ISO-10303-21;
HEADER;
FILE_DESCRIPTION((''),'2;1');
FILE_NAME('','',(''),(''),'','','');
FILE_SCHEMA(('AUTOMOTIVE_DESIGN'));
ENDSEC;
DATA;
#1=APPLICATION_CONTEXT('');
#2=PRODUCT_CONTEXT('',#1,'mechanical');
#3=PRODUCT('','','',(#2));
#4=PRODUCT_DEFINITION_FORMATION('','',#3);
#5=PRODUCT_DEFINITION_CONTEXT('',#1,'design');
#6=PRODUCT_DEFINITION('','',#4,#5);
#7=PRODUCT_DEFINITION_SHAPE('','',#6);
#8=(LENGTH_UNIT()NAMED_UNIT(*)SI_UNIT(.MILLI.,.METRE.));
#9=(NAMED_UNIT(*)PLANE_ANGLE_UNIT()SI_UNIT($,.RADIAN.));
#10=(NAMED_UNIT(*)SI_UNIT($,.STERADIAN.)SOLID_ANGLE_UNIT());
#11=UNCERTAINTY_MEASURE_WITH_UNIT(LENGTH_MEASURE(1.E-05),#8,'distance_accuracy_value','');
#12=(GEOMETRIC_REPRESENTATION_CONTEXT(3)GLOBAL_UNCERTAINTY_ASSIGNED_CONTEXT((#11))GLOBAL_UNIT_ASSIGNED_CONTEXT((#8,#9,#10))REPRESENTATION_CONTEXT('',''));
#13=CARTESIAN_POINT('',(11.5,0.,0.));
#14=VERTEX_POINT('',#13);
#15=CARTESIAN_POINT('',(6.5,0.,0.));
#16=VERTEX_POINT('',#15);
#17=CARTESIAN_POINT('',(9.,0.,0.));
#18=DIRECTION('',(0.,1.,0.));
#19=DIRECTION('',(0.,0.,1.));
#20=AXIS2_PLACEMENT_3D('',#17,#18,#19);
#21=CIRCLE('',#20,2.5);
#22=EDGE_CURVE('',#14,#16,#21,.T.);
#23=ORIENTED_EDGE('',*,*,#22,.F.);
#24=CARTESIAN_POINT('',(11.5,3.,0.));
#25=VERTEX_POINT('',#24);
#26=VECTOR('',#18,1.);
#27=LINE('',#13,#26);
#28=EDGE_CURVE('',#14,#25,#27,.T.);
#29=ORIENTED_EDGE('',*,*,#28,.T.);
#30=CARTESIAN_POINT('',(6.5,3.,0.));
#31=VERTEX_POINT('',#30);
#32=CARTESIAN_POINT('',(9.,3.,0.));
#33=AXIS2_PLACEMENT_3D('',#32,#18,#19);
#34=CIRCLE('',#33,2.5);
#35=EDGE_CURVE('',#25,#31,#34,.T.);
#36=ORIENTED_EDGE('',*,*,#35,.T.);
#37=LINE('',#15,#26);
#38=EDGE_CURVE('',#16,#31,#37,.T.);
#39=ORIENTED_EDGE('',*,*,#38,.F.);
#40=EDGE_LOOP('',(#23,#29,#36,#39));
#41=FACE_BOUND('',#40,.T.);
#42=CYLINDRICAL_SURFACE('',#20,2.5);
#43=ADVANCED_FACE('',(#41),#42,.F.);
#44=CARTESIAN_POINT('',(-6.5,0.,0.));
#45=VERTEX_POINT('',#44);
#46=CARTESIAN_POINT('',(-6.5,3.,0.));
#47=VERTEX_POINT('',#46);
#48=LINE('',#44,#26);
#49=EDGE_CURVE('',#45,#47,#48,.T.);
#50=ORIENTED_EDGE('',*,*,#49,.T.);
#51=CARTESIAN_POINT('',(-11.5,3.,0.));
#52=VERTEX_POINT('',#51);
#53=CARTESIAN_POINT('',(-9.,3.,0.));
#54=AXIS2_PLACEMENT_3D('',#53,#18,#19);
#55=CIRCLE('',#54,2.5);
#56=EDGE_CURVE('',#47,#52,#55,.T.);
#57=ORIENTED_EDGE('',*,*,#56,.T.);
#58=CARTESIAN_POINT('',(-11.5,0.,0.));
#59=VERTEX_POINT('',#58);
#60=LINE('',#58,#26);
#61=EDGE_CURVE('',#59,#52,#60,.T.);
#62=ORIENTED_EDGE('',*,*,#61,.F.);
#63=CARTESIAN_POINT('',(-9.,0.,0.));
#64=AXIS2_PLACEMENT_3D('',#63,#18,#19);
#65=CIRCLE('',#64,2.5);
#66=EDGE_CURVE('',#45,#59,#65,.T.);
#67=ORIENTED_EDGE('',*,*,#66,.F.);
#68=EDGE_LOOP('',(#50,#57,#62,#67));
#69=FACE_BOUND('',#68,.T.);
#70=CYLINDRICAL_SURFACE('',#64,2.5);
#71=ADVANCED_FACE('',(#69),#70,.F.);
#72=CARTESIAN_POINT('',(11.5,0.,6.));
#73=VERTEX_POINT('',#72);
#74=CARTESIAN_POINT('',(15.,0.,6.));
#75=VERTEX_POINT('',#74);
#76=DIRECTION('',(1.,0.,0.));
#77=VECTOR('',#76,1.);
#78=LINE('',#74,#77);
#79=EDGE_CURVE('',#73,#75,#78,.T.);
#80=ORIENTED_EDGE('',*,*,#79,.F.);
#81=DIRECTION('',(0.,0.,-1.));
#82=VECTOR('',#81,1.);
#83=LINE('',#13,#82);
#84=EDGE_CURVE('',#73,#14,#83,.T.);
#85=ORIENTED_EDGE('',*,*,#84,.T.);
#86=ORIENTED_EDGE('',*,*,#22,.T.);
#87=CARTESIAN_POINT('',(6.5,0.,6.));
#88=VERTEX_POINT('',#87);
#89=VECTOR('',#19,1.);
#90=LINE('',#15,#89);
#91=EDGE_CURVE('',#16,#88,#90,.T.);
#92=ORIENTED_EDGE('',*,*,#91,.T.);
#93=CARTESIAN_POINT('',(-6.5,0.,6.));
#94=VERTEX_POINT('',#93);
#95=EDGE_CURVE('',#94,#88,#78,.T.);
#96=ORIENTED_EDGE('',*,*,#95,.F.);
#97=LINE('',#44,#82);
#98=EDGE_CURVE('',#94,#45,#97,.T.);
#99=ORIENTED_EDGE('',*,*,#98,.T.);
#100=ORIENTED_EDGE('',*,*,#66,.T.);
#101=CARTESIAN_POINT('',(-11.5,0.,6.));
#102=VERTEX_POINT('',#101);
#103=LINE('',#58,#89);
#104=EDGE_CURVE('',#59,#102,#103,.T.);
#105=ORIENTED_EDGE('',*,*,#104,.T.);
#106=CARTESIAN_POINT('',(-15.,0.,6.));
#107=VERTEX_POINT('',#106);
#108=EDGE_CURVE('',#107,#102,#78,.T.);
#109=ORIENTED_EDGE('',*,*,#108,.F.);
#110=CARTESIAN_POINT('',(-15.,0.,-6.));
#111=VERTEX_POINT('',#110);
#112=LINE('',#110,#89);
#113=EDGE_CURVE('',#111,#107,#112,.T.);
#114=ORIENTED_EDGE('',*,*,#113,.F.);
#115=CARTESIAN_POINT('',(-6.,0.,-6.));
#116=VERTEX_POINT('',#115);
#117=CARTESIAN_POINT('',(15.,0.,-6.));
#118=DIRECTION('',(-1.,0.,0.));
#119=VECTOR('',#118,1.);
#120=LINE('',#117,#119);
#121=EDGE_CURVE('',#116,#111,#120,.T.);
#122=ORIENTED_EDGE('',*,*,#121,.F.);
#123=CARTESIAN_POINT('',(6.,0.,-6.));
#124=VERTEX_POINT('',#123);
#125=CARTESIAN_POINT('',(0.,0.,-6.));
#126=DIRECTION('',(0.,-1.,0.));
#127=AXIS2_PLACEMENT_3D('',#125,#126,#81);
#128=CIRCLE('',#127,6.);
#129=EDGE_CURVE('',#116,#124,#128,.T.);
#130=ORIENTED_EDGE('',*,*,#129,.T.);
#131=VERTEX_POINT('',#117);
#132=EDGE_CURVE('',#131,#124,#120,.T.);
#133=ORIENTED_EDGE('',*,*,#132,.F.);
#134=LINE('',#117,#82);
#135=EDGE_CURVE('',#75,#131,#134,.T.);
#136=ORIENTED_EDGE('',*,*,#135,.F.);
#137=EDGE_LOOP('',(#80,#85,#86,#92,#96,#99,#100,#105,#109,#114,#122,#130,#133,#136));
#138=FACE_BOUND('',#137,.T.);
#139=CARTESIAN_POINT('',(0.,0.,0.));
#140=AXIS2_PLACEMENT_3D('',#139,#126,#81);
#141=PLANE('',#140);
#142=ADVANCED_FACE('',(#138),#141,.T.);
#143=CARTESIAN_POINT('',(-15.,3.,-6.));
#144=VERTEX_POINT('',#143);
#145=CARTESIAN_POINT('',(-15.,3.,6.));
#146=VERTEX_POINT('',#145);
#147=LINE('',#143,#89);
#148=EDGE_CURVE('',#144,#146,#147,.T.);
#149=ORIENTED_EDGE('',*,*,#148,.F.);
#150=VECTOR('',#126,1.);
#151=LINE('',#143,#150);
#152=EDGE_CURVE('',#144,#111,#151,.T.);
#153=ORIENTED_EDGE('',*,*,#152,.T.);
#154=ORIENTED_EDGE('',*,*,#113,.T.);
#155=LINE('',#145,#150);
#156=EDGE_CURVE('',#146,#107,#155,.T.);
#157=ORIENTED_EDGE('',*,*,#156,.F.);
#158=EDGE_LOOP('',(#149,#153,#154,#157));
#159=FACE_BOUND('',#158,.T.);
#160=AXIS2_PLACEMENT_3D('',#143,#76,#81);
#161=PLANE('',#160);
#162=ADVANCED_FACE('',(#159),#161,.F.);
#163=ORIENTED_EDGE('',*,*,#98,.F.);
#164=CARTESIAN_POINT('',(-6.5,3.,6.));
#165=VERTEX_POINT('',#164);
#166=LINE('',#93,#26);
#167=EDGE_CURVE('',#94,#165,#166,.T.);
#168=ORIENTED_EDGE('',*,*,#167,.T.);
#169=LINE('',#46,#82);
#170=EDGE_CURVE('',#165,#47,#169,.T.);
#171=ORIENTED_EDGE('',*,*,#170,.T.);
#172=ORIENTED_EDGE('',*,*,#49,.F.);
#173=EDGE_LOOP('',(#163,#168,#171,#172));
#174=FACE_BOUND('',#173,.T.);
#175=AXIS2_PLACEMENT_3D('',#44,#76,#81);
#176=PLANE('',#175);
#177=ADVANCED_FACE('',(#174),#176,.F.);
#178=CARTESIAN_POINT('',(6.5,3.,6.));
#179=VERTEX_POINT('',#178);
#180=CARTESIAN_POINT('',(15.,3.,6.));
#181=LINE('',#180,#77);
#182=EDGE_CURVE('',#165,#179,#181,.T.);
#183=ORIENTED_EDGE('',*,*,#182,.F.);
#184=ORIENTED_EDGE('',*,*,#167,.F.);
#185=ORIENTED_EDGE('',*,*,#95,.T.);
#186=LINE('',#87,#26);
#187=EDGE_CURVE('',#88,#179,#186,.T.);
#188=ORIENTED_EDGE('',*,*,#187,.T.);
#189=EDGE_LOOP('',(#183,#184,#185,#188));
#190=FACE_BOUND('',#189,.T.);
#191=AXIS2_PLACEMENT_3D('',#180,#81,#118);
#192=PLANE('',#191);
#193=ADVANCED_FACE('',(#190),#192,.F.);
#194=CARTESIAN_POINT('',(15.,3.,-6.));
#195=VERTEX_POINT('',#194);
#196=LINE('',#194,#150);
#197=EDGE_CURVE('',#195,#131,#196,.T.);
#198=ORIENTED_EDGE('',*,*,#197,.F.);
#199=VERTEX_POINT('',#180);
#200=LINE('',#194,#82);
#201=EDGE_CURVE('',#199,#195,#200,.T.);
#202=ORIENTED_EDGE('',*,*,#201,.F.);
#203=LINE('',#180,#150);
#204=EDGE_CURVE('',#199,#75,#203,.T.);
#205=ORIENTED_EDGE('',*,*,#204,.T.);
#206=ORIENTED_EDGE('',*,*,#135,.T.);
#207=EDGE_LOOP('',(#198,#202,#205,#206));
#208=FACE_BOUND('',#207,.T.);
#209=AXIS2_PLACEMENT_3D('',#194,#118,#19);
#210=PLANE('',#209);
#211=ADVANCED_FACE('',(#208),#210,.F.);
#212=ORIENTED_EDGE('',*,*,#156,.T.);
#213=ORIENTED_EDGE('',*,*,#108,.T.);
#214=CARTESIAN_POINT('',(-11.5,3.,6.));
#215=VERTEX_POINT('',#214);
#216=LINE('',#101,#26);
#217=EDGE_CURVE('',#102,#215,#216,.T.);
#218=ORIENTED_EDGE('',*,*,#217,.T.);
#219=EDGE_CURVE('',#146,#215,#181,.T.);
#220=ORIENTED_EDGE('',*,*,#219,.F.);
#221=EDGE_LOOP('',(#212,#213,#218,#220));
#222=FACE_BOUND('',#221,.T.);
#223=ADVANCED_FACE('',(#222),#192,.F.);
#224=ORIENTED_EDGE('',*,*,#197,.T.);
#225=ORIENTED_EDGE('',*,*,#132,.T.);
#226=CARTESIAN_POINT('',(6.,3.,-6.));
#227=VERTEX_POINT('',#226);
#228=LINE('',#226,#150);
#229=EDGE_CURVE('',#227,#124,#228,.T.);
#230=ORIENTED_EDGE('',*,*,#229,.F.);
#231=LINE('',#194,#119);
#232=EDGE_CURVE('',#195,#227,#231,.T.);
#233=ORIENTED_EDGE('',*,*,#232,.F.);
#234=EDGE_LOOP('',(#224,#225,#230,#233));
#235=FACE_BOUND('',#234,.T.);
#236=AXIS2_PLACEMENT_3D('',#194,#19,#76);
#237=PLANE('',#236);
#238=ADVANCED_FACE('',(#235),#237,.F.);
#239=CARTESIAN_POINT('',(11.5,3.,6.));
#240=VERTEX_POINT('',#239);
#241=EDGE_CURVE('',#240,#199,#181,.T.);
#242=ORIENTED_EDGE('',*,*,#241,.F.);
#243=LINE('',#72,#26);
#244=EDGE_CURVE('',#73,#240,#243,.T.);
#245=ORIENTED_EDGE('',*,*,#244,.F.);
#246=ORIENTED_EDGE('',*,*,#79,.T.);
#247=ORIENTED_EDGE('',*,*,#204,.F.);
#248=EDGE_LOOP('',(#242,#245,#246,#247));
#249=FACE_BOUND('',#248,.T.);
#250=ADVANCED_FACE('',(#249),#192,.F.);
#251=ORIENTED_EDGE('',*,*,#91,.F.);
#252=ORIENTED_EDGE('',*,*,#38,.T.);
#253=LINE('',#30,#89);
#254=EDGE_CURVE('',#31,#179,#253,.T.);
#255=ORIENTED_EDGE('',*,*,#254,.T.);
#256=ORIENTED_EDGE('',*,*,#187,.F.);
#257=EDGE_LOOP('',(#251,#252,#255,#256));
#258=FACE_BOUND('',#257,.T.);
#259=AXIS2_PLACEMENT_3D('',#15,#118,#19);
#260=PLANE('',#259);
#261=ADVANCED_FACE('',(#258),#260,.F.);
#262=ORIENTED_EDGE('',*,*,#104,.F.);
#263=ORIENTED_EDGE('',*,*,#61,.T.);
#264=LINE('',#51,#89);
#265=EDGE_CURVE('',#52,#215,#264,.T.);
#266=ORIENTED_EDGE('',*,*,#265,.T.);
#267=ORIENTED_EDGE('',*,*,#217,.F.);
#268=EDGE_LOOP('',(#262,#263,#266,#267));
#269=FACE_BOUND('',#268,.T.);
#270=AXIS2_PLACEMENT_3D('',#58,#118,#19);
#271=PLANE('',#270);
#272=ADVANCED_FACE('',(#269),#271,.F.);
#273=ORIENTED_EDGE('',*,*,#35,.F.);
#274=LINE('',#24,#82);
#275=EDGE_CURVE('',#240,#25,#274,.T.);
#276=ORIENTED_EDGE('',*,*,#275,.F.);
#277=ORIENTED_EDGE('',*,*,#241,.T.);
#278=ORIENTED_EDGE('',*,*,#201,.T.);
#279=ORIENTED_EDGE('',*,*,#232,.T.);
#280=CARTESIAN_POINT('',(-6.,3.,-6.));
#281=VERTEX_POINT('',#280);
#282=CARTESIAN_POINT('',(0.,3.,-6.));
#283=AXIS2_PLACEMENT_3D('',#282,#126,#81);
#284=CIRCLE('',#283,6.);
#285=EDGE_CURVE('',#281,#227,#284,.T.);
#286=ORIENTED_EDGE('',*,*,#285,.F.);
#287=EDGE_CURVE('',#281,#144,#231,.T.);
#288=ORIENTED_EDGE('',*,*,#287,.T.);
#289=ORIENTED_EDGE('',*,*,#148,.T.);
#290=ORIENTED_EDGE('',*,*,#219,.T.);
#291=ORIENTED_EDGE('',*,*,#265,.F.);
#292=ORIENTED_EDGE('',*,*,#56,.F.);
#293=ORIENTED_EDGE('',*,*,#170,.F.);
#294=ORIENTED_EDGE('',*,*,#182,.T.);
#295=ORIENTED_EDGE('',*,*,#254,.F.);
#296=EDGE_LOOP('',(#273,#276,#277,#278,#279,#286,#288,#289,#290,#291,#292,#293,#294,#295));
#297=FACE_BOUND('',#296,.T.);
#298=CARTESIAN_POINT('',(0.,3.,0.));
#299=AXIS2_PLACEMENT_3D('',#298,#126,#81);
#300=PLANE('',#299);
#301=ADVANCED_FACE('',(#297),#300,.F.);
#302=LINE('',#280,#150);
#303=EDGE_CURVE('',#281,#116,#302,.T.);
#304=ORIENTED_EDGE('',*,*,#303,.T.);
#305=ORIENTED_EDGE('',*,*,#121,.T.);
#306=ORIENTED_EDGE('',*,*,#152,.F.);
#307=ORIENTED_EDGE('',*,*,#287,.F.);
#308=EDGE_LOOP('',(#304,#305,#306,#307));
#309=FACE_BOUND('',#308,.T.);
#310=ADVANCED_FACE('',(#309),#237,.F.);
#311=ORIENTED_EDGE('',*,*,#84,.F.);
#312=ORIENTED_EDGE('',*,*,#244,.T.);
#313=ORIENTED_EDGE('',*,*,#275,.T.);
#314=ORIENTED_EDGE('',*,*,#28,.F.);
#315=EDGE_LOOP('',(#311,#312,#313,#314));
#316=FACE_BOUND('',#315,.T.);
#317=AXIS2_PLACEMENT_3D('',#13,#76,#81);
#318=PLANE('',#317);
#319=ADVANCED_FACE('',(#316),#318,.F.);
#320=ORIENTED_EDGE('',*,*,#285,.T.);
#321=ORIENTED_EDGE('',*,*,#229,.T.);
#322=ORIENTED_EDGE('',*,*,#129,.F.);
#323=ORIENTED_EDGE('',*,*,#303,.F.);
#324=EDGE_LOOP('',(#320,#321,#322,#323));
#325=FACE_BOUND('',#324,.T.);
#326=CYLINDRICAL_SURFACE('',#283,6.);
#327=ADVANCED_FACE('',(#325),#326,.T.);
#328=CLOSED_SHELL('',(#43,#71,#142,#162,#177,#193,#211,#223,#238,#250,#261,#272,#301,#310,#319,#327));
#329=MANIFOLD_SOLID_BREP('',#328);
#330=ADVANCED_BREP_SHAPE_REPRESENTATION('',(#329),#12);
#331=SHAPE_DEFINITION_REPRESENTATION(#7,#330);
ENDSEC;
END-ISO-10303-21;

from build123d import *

# Parameters (mm, degrees)
SKETCH1_W           = 30
SKETCH1_H           = 12
BOSS_EXTRUDE1_DEPTH = 3
SKETCH2_R           = 1.5
CUT_EXTRUDE1_DEPTH  = 4
CUT_EXTRUDE2_DEPTH  = 4
BOSS_EXTRUDE2_DEPTH = 3


with BuildPart() as part:
    # Sketch1 → Boss-Extrude1 (new body)
    with BuildSketch(Plane(origin=(0, 0, 0), x_dir=(1, 0, 0), z_dir=(0, 1, 0))):
        Rectangle(SKETCH1_W, SKETCH1_H)
    extrude(amount=BOSS_EXTRUDE1_DEPTH)

    # Sketch2 → Cut-Extrude1 (cut, through all)
    with BuildSketch(Plane(origin=(0, 3, 0), x_dir=(1, 0, 0), z_dir=(0, 1, 0))):
        with Locations((-9, 0)):
            Circle(SKETCH2_R)
        with Locations((9, 0)):
            Circle(SKETCH2_R)
    extrude(amount=-CUT_EXTRUDE1_DEPTH, mode=Mode.SUBTRACT)

    # Sketch3 → Cut-Extrude2 (cut, through all)
    with BuildSketch(Plane(origin=(0, 3, 0), x_dir=(1, 0, 0), z_dir=(0, 1, 0))):
        with BuildLine():
            Line((-6.5, 0), (-6.5, -6))
            ThreePointArc((-6.5, -6), (-9, -8.5), (-11.5, -6))
            Line((-11.5, -6), (-11.5, 0))
            ThreePointArc((-11.5, 0), (-9, 2.5), (-6.5, 0))
        make_face()
        with BuildLine():
            Line((11.5, 0), (11.5, -6))
            ThreePointArc((11.5, -6), (9, -8.5), (6.5, -6))
            Line((6.5, -6), (6.5, 0))
            ThreePointArc((6.5, 0), (9, 2.5), (11.5, 0))
        make_face()
    extrude(amount=-CUT_EXTRUDE2_DEPTH, mode=Mode.SUBTRACT)

    # Sketch4 → Boss-Extrude2 (add)
    with BuildSketch(Plane.XZ):
        with BuildLine():
            Line((-6, -6), (-6, 0))
            ThreePointArc((-6, 0), (0, 6), (6, 0))
            Line((6, 0), (6, -6))
            ThreePointArc((6, -6), (0, -12), (-6, -6))
        make_face()
    extrude(amount=-BOSS_EXTRUDE2_DEPTH)


solid = part.part
